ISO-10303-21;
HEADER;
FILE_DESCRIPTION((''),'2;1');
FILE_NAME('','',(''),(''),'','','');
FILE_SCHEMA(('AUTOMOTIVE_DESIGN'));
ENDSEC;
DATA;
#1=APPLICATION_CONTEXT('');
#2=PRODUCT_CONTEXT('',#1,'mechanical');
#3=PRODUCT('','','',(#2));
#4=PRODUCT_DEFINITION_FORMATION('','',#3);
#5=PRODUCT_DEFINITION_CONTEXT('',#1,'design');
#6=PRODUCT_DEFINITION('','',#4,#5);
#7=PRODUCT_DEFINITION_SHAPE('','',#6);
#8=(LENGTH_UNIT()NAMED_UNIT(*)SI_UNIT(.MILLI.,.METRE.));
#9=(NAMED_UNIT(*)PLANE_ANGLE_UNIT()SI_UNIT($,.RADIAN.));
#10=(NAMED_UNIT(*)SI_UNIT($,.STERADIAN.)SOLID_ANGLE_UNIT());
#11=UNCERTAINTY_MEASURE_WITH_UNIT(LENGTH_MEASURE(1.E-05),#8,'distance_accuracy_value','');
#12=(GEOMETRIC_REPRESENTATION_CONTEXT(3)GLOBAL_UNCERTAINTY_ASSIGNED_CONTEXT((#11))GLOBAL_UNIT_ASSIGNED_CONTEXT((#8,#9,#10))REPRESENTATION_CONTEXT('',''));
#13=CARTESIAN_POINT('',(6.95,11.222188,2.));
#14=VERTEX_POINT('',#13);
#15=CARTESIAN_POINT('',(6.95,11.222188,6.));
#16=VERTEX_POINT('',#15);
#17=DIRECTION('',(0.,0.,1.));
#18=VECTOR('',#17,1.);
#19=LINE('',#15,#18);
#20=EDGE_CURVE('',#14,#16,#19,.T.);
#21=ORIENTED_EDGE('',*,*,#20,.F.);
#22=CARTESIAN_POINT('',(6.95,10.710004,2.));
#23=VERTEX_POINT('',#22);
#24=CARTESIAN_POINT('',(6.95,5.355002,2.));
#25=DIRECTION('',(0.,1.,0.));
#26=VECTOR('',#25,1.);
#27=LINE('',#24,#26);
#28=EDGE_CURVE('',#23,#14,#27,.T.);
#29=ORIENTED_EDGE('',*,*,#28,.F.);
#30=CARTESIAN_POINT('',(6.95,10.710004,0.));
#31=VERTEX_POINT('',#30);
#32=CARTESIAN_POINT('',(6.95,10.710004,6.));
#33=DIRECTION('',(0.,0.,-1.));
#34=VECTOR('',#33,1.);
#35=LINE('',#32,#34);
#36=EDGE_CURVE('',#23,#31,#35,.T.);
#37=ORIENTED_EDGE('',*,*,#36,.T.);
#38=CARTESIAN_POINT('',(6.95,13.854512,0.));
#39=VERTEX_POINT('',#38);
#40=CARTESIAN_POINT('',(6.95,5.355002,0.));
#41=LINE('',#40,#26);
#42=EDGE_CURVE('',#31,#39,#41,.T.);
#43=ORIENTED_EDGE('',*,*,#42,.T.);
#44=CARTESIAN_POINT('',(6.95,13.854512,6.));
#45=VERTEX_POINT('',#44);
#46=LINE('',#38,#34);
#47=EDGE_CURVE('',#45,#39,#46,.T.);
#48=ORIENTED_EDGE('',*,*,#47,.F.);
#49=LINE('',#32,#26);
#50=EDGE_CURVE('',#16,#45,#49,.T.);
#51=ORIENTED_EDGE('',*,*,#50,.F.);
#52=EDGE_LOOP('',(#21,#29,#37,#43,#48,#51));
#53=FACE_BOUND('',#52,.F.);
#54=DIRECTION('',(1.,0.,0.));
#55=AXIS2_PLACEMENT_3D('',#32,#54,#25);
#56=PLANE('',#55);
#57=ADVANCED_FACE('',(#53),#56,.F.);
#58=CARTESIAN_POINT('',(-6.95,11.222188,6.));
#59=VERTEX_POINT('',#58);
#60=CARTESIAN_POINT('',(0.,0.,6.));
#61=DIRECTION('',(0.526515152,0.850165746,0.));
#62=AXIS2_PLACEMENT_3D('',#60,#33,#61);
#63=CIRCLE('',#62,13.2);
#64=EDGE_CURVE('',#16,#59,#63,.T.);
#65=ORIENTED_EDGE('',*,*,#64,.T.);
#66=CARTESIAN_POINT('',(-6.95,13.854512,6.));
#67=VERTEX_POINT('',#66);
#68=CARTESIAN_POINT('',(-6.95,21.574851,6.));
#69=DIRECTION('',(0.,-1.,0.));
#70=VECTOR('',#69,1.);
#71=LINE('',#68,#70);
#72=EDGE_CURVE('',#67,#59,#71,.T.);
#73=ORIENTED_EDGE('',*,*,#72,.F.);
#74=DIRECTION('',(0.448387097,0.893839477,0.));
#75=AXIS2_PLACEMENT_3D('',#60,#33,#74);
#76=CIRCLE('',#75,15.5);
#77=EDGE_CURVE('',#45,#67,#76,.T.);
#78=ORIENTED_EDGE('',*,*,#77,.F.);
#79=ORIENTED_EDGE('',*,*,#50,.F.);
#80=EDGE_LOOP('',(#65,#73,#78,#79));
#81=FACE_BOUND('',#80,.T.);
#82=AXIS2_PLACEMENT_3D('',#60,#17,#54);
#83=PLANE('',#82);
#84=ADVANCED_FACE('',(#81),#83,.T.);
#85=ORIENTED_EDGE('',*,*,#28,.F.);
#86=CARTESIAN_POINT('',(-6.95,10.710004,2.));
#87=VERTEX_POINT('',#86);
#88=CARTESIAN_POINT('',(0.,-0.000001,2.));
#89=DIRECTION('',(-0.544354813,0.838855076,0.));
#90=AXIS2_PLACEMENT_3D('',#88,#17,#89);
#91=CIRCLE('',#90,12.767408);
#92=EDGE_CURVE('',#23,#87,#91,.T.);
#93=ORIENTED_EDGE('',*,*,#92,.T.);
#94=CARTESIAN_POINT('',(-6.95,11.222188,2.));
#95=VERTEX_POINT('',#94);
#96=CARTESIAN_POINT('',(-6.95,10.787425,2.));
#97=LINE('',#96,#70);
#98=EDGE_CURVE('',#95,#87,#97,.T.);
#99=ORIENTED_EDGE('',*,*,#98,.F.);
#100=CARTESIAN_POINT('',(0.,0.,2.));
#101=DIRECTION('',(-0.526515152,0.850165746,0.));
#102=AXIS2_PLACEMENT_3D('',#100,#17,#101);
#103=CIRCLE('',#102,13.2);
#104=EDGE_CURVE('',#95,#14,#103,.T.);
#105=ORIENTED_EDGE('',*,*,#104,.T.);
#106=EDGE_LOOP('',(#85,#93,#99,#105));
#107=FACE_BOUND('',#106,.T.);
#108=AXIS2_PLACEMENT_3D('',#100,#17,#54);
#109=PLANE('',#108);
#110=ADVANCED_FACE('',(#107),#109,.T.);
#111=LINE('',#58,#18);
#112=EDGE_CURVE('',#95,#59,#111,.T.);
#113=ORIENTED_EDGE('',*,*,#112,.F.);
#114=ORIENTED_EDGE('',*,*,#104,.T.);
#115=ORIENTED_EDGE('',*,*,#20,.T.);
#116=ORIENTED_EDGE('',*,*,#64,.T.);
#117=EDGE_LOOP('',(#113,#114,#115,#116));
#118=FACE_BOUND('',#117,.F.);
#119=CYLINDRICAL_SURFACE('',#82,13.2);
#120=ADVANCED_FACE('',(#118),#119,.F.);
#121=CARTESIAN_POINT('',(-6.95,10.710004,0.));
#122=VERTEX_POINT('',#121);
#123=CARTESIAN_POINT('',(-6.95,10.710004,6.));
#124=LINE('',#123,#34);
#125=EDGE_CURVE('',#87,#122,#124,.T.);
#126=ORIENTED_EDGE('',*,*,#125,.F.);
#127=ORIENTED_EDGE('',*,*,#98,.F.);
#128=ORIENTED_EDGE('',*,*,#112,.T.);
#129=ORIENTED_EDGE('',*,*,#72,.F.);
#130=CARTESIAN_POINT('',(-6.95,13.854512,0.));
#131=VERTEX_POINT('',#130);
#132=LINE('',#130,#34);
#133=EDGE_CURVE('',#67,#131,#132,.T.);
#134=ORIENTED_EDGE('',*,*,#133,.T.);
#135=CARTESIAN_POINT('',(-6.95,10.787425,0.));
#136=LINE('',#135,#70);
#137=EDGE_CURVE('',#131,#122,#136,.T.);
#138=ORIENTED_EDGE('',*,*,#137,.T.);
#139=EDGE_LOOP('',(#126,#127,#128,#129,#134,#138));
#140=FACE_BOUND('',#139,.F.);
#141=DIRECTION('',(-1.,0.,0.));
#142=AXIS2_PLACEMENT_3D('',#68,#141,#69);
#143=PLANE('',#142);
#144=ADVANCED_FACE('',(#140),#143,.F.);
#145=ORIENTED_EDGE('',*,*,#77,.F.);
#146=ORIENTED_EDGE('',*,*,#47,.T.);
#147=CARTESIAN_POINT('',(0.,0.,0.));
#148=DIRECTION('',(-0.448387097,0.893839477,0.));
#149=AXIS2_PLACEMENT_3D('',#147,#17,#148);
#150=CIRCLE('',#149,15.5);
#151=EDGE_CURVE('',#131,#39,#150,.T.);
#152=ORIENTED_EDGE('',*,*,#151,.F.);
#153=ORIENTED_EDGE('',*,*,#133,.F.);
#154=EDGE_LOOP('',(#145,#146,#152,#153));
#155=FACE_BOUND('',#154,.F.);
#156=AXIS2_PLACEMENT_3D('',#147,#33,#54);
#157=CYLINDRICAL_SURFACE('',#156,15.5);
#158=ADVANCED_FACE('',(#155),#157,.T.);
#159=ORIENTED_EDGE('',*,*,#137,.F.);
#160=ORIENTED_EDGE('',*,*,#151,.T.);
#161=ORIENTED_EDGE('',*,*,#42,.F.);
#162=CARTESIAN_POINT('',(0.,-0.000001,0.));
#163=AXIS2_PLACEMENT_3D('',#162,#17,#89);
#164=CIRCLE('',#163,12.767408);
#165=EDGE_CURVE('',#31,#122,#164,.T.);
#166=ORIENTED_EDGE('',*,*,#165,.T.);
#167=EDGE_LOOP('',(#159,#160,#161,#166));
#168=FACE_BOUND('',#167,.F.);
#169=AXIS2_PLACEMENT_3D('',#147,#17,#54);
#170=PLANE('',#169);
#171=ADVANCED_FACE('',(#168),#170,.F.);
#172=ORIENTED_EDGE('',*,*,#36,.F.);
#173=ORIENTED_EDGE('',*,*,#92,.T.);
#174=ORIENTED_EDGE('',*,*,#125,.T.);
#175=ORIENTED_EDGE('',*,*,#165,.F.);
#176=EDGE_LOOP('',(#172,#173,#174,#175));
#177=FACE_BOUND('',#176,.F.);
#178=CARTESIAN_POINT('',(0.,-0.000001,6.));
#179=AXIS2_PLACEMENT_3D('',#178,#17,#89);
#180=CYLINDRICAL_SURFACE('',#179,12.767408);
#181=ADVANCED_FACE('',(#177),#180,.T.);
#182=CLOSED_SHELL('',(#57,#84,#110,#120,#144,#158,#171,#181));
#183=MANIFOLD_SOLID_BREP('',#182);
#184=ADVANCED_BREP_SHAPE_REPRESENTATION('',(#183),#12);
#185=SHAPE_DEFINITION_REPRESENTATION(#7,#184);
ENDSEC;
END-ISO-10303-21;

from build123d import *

# Parameters (mm, degrees)
F0_R     = 15.5
F1_DEPTH = 6
F2_R     = 13.2
F3_DEPTH = 4
F5_DEPTH = 25


with BuildPart() as f1:
    # F0 (on Top) → F1 (new body)
    with BuildSketch(Plane.XY):
        Circle(F0_R)
    extrude(amount=F1_DEPTH)

    # F2 (on face) → F3 (cut)
    with BuildSketch(Plane.XY.offset(6)):
        Circle(F2_R)
    extrude(amount=-F3_DEPTH, mode=Mode.SUBTRACT)

    # F4 (on face) → F5 (cut)
    with BuildSketch(Plane.XY.offset(6)):
        with BuildLine():
            Line((6.95, 21.574851), (-6.95, 21.574851))
            Line((-6.95, 21.574851), (-6.95, 10.710004))
            ThreePointArc((-6.95, 10.710004), (0, 12.767407), (6.95, 10.710004))
            Line((6.95, 10.710004), (6.95, 21.574851))
        make_face()
    extrude(amount=-F5_DEPTH, mode=Mode.SUBTRACT)


solid = f1.part
